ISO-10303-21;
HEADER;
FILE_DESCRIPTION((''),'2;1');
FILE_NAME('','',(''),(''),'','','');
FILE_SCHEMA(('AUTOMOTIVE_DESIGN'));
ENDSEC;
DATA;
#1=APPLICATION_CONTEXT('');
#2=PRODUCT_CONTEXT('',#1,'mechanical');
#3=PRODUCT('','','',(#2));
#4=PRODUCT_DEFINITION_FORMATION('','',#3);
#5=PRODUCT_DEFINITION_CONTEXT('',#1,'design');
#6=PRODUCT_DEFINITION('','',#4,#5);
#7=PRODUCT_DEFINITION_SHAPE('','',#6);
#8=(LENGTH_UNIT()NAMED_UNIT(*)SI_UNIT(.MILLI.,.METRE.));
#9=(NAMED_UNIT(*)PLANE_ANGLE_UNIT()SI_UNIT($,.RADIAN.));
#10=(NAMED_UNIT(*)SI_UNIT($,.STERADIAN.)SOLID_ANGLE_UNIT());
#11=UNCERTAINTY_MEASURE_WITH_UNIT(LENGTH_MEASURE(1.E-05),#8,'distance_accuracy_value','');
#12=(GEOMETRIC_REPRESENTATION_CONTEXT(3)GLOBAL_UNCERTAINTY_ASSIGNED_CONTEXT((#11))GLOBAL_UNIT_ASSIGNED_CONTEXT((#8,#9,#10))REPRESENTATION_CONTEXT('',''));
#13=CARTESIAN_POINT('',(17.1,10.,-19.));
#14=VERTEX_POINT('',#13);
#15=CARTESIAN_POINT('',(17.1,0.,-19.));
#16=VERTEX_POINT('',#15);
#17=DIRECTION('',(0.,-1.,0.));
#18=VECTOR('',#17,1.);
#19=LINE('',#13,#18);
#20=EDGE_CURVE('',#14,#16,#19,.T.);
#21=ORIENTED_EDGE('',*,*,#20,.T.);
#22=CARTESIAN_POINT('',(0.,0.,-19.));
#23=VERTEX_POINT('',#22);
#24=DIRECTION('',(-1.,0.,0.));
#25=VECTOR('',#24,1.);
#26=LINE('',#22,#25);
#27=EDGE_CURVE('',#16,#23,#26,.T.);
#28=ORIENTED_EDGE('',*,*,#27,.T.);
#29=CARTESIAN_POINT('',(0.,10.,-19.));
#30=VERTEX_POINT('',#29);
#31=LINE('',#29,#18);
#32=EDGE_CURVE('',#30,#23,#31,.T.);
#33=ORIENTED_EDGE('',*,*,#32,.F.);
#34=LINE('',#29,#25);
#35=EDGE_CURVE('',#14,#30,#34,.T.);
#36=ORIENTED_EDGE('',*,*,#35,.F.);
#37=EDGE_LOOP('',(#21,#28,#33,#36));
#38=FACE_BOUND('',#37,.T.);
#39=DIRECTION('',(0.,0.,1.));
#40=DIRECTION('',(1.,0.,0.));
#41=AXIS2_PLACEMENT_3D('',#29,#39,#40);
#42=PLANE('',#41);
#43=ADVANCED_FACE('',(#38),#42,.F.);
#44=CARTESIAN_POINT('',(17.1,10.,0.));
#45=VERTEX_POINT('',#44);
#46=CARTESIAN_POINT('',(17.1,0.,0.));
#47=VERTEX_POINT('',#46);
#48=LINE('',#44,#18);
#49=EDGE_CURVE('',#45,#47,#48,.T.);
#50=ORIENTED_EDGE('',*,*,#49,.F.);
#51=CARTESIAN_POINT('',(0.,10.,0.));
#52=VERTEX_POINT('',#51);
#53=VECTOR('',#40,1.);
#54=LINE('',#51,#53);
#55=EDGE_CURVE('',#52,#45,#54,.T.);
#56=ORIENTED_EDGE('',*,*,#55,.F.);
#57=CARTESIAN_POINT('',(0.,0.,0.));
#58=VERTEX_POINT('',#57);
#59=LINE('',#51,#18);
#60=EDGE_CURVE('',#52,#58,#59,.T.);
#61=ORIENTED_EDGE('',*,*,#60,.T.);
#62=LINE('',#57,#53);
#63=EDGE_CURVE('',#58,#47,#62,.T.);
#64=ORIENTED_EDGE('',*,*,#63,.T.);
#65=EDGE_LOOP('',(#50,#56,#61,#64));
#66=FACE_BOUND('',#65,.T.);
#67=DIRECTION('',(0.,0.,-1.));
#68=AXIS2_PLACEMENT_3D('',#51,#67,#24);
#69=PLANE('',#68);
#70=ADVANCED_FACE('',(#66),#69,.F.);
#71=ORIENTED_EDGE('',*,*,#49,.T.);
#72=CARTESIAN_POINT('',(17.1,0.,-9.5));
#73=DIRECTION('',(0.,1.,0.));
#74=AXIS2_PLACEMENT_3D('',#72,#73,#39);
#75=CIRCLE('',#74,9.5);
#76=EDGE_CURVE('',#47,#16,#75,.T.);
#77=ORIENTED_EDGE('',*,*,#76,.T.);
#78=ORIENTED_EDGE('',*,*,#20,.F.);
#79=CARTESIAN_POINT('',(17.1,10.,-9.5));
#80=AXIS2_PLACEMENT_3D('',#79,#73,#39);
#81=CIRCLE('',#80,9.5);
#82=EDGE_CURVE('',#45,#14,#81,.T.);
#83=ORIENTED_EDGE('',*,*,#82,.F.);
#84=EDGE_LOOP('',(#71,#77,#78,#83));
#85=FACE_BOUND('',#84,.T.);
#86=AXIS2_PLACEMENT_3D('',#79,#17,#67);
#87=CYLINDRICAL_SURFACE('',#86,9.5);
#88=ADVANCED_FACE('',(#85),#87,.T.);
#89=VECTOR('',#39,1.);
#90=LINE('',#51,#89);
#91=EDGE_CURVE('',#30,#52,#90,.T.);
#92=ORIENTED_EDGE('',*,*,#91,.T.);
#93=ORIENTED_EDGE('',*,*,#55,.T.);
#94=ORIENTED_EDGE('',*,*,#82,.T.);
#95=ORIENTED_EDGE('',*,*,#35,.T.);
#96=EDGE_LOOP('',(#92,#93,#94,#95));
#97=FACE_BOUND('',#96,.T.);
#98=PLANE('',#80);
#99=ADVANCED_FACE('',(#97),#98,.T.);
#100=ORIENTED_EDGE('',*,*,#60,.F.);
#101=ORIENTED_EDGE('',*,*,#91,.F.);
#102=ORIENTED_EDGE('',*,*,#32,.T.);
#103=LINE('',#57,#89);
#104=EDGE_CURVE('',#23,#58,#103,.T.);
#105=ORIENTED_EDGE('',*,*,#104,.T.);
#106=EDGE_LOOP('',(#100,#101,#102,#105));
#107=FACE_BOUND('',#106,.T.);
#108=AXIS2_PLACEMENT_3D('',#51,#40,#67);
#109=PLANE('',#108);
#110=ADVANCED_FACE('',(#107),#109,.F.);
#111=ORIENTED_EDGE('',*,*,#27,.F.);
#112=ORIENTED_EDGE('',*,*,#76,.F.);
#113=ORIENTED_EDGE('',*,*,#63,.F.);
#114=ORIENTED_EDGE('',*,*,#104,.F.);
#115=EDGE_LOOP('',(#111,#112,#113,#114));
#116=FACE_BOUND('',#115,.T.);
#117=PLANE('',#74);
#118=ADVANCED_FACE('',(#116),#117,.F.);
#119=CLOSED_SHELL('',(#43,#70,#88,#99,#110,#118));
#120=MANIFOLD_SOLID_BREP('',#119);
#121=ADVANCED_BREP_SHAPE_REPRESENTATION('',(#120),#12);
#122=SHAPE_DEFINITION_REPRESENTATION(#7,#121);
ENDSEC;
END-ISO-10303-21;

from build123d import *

# Parameters (mm, degrees)
BOSS_EXTRUDE1_DEPTH = 10


with BuildPart() as part:
    # Sketch1 → Boss-Extrude1 (new body)
    with BuildSketch(Plane(origin=(0, 0, 0), x_dir=(1, 0, 0), z_dir=(0, 1, 0))):
        with BuildLine():
            Line((0, 0), (17.1, 0))
            ThreePointArc((17.1, 0), (26.6, 9.5), (17.1, 19))
            Line((17.1, 19), (0, 19))
            Line((0, 19), (0, 0))
        make_face()
    extrude(amount=BOSS_EXTRUDE1_DEPTH)


solid = part.part
